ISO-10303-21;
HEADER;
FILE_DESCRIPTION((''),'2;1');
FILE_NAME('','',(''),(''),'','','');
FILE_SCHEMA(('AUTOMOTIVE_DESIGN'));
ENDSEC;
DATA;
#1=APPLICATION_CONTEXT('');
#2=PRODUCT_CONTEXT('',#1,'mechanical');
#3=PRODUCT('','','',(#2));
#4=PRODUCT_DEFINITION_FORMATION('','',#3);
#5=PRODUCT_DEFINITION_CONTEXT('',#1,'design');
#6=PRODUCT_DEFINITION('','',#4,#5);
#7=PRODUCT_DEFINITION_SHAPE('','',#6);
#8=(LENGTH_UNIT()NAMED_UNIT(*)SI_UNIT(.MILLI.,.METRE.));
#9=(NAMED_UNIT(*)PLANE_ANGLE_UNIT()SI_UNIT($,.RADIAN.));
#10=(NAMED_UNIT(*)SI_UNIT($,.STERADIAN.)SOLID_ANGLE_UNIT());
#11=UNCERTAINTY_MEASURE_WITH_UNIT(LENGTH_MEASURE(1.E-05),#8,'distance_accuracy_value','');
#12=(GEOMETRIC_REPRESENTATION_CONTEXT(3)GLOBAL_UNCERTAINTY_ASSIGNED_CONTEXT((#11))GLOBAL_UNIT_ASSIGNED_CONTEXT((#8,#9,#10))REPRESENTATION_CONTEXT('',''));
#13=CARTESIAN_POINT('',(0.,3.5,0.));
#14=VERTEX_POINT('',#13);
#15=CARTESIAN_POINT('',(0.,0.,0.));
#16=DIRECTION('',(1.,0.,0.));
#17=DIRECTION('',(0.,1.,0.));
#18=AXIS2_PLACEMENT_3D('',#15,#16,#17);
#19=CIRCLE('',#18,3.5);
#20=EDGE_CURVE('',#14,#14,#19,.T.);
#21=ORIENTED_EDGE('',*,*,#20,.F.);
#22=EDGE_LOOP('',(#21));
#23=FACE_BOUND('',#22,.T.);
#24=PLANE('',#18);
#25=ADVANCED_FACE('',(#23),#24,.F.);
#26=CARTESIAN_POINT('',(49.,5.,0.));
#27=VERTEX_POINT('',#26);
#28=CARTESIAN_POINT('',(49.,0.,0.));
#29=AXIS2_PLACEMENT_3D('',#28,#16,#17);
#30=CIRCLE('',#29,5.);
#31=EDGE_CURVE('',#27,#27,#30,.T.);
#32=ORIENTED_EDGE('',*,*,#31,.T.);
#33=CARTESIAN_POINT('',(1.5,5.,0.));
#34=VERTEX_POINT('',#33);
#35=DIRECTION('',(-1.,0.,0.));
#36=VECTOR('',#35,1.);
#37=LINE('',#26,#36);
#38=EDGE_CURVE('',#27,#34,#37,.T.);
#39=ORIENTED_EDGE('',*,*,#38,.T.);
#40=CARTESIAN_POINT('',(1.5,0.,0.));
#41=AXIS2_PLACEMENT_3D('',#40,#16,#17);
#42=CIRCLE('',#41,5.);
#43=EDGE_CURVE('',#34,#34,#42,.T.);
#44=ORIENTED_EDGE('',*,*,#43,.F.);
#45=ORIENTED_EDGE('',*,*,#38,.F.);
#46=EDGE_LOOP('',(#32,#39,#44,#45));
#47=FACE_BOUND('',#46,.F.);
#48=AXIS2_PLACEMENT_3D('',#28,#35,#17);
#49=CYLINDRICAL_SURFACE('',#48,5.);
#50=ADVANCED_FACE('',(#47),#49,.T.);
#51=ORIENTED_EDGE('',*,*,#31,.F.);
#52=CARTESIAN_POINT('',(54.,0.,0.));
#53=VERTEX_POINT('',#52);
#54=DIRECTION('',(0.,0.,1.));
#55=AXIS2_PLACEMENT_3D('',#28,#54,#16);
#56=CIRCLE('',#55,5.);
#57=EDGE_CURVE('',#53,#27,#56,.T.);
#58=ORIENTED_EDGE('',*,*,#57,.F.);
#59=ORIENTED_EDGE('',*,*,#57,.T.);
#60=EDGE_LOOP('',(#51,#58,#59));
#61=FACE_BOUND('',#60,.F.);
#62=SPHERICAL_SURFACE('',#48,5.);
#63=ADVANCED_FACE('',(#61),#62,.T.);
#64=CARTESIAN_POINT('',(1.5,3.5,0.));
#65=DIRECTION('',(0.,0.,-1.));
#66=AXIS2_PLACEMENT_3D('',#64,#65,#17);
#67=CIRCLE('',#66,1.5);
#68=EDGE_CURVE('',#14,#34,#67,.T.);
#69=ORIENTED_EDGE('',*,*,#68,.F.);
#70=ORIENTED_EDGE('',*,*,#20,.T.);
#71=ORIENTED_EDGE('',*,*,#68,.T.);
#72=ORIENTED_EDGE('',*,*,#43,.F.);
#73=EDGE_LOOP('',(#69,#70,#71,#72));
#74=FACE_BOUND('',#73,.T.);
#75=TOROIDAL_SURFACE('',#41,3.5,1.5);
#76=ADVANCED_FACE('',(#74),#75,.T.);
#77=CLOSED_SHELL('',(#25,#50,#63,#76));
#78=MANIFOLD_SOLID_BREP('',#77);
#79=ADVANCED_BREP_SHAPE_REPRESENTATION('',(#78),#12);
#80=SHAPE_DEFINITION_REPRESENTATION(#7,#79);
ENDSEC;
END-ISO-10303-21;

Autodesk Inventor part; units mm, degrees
ref_plane "YZ Plane" through (0, 0, 0) normal (1, 0, 0) x (0, 1, 0)
ref_plane "XZ Plane" through (0, 0, 0) normal (0, 1, 0) x (-1, 0, 0)
ref_plane "XY Plane" through (0, 0, 0) normal (0, 0, 1) x (1, 0, 0)
sketch "Skizze1" plane through (0, 0, 0) normal (0, 0, 1) x (1, 0, 0)
  line L0 (-11.0071, 0) -> (66.0426, 0) projected
  line L1 (0, -1.2071) -> (0, 7.2426) projected
  line L2 (0, 0) -> (54, 0)
  line L3 (49, 5) -> (0, 5)
  line L4 (0, 5) -> (0, 0)
  arc A0 (54, 0) -> (49, 5) centre (49, 0) ccw
  point P0 (54, 0)
  dimension "d0" = 49
  dimension "d1" = 10
revolve "Umdrehung1" add sketch "Skizze1" angle 360 about axis through (-10, 0, 0) along (1, 0, 0)
fillet "Rundung1" radius 1.5 1 edges at (0, -5, 0)
properties part number "Stift_lang"
